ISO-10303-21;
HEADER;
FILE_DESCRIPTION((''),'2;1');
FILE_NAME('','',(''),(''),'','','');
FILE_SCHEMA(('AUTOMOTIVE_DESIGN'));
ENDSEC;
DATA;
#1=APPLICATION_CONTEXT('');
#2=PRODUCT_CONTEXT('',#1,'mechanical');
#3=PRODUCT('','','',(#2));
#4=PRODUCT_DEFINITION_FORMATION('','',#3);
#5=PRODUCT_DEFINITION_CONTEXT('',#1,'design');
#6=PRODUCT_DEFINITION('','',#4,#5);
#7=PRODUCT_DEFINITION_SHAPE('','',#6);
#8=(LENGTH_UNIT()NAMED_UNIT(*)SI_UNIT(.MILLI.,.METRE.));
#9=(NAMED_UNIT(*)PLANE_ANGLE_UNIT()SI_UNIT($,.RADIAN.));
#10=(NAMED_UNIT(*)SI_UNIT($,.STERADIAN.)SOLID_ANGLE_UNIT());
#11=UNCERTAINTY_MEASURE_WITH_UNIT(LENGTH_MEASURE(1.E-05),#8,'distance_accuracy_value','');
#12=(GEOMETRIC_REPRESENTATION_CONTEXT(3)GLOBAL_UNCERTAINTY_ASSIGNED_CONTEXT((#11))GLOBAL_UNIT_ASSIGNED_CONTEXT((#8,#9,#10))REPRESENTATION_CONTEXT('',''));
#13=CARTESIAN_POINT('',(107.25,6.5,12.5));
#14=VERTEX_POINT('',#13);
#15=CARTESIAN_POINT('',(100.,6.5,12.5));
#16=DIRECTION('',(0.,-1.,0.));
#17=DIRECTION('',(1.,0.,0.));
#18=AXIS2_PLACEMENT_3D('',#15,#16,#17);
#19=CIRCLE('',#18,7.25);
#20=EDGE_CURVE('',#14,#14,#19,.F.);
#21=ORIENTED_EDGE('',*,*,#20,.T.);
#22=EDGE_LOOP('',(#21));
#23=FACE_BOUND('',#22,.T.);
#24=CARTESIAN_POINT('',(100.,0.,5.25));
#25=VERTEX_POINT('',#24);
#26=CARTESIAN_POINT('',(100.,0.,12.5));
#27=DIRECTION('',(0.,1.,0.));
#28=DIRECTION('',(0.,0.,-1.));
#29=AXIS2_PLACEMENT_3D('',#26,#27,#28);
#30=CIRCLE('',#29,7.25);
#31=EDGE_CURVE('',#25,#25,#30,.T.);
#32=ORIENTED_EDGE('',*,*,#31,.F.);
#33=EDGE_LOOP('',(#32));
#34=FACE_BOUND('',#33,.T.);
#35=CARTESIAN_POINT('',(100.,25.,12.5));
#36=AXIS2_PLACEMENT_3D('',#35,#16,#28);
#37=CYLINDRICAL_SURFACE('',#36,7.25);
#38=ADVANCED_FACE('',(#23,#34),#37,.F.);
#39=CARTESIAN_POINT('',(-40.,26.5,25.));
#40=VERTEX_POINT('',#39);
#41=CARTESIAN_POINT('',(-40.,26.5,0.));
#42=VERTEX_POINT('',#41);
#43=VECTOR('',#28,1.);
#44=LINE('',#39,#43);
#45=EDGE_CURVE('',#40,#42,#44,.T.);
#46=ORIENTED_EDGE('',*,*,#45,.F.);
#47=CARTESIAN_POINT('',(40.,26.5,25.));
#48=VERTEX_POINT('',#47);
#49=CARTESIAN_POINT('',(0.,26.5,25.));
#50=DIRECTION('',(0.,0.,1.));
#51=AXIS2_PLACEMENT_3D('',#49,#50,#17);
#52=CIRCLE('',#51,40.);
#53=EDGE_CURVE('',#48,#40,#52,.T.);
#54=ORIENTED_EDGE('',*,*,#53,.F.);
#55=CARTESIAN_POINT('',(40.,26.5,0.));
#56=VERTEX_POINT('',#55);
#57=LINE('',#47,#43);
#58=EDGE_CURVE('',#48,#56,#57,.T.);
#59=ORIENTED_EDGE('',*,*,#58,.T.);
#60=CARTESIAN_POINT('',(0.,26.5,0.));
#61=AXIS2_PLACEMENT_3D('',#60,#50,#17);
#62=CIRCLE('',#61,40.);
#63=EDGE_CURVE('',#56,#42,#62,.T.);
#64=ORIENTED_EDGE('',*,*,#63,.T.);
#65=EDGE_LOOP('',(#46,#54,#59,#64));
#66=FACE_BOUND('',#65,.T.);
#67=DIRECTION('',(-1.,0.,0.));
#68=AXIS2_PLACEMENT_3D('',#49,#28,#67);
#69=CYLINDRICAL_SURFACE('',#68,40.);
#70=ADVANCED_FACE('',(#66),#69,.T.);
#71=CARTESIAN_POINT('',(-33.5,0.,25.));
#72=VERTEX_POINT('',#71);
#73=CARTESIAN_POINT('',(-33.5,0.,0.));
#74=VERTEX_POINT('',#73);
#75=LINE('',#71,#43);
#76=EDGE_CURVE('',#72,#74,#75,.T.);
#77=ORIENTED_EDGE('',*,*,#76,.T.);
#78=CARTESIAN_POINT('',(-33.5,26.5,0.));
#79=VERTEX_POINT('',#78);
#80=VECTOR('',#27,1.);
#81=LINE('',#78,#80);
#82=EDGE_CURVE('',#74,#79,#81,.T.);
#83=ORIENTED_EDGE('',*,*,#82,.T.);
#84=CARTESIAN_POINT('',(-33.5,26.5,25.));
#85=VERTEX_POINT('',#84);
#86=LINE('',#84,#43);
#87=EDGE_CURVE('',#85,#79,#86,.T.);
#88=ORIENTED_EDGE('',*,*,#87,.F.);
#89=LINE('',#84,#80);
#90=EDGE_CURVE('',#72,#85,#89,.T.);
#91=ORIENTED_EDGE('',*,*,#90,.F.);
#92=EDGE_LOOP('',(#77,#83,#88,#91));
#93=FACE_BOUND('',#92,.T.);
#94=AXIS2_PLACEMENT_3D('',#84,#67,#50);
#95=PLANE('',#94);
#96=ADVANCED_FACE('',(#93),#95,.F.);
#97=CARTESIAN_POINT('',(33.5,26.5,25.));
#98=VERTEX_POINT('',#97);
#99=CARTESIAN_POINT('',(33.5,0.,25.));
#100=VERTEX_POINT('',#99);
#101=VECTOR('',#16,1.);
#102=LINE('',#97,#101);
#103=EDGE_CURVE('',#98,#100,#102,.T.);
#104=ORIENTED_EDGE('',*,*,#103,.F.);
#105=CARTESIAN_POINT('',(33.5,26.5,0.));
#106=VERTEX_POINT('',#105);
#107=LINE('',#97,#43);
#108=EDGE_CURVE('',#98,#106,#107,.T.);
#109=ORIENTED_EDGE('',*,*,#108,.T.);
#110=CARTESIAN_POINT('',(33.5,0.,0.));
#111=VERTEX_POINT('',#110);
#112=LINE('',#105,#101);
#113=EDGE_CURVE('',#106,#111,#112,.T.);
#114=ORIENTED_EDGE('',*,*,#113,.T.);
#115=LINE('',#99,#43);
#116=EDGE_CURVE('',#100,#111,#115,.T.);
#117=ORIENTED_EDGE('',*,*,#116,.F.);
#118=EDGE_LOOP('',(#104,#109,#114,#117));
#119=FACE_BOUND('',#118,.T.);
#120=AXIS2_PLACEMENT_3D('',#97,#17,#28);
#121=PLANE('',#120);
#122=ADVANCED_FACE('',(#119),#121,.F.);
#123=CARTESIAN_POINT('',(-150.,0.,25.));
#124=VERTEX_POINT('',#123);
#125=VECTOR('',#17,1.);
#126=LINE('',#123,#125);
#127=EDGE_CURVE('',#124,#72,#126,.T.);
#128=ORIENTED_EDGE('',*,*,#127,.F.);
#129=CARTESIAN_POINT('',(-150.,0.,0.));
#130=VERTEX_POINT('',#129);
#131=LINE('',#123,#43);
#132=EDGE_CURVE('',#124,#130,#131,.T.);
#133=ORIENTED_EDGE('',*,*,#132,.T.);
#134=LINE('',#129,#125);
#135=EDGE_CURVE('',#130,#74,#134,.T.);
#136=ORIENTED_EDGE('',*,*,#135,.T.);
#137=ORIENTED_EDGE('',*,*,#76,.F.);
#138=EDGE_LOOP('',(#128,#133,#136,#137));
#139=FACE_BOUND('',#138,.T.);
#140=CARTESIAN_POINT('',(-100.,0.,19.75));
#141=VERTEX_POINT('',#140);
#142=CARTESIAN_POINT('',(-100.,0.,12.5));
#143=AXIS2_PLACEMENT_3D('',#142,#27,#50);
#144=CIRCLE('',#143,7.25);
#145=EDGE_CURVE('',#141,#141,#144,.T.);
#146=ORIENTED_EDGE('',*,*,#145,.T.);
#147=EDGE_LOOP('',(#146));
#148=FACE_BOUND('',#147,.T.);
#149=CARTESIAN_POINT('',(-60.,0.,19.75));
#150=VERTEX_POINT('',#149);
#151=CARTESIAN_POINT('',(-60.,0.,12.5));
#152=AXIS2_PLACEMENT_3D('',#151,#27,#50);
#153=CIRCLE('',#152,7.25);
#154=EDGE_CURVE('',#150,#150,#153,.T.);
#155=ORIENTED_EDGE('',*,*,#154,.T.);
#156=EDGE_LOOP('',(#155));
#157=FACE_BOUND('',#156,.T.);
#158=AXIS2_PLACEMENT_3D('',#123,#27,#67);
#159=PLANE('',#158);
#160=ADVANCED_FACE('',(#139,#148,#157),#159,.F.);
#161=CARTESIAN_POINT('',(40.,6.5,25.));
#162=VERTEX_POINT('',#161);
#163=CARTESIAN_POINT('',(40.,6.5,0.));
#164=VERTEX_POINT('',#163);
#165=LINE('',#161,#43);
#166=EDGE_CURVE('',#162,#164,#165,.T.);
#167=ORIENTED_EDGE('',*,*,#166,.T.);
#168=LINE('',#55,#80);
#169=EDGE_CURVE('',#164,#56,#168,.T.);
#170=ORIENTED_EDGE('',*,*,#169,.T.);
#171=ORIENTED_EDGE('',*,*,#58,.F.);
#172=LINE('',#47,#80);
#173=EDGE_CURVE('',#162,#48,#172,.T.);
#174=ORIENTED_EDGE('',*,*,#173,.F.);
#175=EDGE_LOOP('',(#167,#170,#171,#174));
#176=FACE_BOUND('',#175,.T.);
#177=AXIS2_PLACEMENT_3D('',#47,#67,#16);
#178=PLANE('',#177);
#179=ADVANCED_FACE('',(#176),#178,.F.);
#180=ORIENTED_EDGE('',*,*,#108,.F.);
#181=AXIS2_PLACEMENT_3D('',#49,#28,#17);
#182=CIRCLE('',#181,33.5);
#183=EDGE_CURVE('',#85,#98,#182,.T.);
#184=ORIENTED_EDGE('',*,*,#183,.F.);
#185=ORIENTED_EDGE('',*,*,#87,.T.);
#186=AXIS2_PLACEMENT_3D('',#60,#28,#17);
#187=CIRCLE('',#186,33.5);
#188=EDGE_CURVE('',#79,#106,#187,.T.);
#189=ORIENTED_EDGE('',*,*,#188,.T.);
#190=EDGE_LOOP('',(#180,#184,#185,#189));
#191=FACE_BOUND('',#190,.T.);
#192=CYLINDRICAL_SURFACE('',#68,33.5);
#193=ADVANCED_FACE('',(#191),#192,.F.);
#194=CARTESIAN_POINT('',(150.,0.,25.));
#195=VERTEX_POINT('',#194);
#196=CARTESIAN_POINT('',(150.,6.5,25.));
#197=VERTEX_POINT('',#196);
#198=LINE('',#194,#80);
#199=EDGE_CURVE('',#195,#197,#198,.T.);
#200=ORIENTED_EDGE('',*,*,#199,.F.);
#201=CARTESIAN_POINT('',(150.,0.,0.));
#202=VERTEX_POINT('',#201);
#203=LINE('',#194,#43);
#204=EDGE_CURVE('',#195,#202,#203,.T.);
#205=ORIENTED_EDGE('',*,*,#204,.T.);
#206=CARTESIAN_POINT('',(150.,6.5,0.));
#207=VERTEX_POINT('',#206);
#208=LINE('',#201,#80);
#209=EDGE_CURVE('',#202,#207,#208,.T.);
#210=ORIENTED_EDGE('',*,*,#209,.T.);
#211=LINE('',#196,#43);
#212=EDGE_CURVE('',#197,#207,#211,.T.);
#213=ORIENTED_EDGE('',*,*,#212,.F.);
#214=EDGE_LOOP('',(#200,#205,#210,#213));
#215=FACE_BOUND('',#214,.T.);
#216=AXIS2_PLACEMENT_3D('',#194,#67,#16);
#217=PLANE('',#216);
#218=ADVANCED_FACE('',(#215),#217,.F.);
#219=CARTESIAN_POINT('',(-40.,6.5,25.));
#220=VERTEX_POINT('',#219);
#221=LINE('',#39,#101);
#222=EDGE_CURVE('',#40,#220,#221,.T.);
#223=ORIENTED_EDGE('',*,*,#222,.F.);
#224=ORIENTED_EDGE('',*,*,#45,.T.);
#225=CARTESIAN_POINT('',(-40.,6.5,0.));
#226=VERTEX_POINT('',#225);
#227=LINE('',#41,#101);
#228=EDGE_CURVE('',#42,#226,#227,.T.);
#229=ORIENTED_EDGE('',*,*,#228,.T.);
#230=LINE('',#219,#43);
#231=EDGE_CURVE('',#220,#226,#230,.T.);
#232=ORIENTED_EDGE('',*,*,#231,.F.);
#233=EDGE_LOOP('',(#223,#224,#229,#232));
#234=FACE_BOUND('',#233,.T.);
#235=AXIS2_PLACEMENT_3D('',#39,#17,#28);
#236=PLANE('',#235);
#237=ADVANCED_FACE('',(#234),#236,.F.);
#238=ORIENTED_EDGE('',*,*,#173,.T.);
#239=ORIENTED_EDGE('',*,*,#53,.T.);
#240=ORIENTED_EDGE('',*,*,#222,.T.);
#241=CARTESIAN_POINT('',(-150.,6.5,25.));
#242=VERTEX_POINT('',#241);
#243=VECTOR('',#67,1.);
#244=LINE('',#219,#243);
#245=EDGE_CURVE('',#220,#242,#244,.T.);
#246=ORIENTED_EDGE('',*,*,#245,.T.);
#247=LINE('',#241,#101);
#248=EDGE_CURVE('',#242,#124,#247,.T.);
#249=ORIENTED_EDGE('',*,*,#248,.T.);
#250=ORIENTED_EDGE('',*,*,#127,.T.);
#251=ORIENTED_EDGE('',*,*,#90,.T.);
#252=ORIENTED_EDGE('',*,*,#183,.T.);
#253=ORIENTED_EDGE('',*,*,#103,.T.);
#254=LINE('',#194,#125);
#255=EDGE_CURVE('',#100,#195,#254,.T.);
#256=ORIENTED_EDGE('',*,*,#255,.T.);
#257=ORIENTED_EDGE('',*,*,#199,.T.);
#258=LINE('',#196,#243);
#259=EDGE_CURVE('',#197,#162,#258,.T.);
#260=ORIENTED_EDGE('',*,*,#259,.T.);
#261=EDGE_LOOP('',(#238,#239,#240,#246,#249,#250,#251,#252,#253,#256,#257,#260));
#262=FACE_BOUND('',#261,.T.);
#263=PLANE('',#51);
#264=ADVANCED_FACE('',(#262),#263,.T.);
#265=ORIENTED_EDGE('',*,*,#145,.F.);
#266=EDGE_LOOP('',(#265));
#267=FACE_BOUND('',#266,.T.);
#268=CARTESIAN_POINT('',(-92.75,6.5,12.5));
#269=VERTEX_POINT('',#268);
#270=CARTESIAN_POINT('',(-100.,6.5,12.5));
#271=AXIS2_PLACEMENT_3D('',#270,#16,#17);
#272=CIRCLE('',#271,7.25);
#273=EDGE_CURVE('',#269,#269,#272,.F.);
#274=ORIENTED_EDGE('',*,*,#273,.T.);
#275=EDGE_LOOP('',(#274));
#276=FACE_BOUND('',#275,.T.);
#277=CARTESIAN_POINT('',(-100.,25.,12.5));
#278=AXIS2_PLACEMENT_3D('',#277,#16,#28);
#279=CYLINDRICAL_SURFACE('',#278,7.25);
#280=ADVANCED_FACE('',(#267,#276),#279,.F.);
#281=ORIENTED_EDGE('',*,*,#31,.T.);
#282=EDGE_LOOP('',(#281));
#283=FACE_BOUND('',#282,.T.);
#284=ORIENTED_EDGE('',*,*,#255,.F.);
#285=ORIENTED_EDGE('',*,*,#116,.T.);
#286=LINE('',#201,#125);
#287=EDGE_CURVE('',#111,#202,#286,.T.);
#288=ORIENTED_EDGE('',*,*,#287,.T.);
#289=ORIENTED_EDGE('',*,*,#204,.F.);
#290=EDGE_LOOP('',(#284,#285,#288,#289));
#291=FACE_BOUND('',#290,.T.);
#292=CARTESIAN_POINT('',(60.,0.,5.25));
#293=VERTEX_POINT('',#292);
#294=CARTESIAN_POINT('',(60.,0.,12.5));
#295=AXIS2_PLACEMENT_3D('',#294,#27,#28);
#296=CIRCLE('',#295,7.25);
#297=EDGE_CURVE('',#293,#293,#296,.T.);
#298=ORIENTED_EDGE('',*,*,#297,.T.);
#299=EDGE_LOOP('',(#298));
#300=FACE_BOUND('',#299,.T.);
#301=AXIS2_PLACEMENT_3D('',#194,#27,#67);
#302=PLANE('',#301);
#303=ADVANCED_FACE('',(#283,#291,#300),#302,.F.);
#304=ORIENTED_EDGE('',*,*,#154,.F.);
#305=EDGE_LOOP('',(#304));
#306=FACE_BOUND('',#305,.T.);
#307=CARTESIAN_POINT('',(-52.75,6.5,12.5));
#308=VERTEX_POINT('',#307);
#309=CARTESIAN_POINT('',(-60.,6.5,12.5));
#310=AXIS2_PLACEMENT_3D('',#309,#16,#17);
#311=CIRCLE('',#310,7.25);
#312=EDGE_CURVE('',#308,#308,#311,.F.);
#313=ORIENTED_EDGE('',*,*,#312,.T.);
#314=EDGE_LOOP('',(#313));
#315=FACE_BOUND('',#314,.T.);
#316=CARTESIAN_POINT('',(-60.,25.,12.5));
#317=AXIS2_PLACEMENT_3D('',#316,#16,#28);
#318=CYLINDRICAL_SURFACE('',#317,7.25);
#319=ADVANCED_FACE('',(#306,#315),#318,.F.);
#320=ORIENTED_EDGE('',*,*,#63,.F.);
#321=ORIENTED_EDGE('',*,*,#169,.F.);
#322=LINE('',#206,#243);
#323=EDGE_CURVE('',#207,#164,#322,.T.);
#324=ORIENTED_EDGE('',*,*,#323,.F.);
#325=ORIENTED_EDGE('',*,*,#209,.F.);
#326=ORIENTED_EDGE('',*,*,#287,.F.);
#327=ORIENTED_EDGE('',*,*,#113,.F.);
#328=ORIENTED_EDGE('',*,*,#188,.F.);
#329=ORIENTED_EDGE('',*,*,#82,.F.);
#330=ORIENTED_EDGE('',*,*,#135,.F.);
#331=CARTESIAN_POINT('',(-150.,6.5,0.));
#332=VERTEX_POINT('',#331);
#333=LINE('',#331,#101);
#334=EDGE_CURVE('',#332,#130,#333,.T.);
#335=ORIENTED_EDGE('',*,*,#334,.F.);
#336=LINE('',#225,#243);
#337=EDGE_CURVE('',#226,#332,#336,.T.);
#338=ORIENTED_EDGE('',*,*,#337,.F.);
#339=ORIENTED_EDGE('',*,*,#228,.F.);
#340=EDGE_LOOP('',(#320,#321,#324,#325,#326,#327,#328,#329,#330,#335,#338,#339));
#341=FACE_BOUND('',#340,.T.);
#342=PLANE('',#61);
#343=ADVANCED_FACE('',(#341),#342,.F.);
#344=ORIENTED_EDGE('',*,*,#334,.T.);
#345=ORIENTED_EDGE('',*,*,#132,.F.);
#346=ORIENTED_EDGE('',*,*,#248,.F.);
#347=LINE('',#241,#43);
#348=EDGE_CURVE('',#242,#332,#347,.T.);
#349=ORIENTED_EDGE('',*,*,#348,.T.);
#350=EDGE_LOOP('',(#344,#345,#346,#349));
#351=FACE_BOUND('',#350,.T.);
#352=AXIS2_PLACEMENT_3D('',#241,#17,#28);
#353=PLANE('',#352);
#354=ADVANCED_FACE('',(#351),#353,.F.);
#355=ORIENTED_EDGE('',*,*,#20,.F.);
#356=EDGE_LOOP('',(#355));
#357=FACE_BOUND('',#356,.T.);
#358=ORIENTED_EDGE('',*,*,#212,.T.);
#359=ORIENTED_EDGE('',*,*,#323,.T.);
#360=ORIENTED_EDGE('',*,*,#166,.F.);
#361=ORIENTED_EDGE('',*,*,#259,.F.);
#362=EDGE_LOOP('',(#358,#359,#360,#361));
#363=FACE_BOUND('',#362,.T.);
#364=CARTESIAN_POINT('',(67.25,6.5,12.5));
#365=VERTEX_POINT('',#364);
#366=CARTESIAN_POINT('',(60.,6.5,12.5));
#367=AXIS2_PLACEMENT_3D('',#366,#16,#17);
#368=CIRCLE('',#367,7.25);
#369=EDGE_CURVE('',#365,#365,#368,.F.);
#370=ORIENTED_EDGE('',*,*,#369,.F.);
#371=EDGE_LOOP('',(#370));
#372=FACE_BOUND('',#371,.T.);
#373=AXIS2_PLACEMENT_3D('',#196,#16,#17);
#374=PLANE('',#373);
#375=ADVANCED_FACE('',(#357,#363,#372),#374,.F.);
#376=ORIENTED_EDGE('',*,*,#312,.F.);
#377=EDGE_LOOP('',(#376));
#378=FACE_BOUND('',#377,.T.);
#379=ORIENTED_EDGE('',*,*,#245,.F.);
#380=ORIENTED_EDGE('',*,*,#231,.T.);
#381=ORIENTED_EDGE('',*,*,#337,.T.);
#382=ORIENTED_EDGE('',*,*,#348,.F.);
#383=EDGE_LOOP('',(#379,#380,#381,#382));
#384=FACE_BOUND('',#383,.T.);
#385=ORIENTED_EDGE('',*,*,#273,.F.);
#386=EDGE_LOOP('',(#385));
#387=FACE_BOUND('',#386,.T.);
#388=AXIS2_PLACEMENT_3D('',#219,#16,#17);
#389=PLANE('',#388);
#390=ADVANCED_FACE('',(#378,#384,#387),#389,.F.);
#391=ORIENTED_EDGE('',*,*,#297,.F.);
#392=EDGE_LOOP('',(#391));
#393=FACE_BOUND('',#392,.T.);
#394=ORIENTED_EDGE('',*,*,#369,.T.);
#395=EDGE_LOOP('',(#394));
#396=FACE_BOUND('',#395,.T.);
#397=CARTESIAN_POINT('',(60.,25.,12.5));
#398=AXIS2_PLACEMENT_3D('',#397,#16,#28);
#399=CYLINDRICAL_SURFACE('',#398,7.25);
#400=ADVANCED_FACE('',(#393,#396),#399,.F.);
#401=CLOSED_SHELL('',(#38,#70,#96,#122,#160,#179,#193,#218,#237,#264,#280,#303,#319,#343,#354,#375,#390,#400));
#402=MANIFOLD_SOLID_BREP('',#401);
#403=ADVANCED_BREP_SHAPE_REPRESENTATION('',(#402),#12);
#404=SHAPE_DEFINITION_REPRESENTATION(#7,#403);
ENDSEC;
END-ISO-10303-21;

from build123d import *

# Parameters (mm, degrees)
BOSS_EXTRUDE1_DEPTH = 25
SKETCH4_R           = 7.25
CUT_EXTRUDE1_DEPTH  = 25


with BuildPart() as part:
    # Sketch1 → Boss-Extrude1 (new body)
    with BuildSketch(Plane.XY):
        with BuildLine():
            Line((150, 0), (150, 6.5))
            Line((150, 6.5), (40, 6.5))
            Line((40, 6.5), (40, 26.5))
            ThreePointArc((40, 26.5), (0, 66.5), (-40, 26.5))
            Line((-40, 26.5), (-40, 6.5))
            Line((-40, 6.5), (-150, 6.5))
            Line((-150, 6.5), (-150, 0))
            Line((-150, 0), (-33.5, 0))
            Line((-33.5, 0), (-33.5, 26.5))
            ThreePointArc((-33.5, 26.5), (0, 60), (33.5, 26.5))
            Line((33.5, 26.5), (33.5, 0))
            Line((33.5, 0), (150, 0))
        make_face()
    extrude(amount=BOSS_EXTRUDE1_DEPTH)

    # Sketch4 → Cut-Extrude1 (cut)
    with BuildSketch(Plane(origin=(0, 0, 0), x_dir=(1, 0, 0), z_dir=(0, 1, 0))):
        with Locations((-60, -12.5)):
            Circle(SKETCH4_R)
        with Locations((-100, -12.5)):
            Circle(SKETCH4_R)
        with Locations(Location((60, -12.5, 0), (0, 0, 90))):
            Circle(SKETCH4_R)
        with Locations(Location((100, -12.5, 0), (0, 0, 90))):
            Circle(SKETCH4_R)
    extrude(amount=CUT_EXTRUDE1_DEPTH, mode=Mode.SUBTRACT)


solid = part.part
